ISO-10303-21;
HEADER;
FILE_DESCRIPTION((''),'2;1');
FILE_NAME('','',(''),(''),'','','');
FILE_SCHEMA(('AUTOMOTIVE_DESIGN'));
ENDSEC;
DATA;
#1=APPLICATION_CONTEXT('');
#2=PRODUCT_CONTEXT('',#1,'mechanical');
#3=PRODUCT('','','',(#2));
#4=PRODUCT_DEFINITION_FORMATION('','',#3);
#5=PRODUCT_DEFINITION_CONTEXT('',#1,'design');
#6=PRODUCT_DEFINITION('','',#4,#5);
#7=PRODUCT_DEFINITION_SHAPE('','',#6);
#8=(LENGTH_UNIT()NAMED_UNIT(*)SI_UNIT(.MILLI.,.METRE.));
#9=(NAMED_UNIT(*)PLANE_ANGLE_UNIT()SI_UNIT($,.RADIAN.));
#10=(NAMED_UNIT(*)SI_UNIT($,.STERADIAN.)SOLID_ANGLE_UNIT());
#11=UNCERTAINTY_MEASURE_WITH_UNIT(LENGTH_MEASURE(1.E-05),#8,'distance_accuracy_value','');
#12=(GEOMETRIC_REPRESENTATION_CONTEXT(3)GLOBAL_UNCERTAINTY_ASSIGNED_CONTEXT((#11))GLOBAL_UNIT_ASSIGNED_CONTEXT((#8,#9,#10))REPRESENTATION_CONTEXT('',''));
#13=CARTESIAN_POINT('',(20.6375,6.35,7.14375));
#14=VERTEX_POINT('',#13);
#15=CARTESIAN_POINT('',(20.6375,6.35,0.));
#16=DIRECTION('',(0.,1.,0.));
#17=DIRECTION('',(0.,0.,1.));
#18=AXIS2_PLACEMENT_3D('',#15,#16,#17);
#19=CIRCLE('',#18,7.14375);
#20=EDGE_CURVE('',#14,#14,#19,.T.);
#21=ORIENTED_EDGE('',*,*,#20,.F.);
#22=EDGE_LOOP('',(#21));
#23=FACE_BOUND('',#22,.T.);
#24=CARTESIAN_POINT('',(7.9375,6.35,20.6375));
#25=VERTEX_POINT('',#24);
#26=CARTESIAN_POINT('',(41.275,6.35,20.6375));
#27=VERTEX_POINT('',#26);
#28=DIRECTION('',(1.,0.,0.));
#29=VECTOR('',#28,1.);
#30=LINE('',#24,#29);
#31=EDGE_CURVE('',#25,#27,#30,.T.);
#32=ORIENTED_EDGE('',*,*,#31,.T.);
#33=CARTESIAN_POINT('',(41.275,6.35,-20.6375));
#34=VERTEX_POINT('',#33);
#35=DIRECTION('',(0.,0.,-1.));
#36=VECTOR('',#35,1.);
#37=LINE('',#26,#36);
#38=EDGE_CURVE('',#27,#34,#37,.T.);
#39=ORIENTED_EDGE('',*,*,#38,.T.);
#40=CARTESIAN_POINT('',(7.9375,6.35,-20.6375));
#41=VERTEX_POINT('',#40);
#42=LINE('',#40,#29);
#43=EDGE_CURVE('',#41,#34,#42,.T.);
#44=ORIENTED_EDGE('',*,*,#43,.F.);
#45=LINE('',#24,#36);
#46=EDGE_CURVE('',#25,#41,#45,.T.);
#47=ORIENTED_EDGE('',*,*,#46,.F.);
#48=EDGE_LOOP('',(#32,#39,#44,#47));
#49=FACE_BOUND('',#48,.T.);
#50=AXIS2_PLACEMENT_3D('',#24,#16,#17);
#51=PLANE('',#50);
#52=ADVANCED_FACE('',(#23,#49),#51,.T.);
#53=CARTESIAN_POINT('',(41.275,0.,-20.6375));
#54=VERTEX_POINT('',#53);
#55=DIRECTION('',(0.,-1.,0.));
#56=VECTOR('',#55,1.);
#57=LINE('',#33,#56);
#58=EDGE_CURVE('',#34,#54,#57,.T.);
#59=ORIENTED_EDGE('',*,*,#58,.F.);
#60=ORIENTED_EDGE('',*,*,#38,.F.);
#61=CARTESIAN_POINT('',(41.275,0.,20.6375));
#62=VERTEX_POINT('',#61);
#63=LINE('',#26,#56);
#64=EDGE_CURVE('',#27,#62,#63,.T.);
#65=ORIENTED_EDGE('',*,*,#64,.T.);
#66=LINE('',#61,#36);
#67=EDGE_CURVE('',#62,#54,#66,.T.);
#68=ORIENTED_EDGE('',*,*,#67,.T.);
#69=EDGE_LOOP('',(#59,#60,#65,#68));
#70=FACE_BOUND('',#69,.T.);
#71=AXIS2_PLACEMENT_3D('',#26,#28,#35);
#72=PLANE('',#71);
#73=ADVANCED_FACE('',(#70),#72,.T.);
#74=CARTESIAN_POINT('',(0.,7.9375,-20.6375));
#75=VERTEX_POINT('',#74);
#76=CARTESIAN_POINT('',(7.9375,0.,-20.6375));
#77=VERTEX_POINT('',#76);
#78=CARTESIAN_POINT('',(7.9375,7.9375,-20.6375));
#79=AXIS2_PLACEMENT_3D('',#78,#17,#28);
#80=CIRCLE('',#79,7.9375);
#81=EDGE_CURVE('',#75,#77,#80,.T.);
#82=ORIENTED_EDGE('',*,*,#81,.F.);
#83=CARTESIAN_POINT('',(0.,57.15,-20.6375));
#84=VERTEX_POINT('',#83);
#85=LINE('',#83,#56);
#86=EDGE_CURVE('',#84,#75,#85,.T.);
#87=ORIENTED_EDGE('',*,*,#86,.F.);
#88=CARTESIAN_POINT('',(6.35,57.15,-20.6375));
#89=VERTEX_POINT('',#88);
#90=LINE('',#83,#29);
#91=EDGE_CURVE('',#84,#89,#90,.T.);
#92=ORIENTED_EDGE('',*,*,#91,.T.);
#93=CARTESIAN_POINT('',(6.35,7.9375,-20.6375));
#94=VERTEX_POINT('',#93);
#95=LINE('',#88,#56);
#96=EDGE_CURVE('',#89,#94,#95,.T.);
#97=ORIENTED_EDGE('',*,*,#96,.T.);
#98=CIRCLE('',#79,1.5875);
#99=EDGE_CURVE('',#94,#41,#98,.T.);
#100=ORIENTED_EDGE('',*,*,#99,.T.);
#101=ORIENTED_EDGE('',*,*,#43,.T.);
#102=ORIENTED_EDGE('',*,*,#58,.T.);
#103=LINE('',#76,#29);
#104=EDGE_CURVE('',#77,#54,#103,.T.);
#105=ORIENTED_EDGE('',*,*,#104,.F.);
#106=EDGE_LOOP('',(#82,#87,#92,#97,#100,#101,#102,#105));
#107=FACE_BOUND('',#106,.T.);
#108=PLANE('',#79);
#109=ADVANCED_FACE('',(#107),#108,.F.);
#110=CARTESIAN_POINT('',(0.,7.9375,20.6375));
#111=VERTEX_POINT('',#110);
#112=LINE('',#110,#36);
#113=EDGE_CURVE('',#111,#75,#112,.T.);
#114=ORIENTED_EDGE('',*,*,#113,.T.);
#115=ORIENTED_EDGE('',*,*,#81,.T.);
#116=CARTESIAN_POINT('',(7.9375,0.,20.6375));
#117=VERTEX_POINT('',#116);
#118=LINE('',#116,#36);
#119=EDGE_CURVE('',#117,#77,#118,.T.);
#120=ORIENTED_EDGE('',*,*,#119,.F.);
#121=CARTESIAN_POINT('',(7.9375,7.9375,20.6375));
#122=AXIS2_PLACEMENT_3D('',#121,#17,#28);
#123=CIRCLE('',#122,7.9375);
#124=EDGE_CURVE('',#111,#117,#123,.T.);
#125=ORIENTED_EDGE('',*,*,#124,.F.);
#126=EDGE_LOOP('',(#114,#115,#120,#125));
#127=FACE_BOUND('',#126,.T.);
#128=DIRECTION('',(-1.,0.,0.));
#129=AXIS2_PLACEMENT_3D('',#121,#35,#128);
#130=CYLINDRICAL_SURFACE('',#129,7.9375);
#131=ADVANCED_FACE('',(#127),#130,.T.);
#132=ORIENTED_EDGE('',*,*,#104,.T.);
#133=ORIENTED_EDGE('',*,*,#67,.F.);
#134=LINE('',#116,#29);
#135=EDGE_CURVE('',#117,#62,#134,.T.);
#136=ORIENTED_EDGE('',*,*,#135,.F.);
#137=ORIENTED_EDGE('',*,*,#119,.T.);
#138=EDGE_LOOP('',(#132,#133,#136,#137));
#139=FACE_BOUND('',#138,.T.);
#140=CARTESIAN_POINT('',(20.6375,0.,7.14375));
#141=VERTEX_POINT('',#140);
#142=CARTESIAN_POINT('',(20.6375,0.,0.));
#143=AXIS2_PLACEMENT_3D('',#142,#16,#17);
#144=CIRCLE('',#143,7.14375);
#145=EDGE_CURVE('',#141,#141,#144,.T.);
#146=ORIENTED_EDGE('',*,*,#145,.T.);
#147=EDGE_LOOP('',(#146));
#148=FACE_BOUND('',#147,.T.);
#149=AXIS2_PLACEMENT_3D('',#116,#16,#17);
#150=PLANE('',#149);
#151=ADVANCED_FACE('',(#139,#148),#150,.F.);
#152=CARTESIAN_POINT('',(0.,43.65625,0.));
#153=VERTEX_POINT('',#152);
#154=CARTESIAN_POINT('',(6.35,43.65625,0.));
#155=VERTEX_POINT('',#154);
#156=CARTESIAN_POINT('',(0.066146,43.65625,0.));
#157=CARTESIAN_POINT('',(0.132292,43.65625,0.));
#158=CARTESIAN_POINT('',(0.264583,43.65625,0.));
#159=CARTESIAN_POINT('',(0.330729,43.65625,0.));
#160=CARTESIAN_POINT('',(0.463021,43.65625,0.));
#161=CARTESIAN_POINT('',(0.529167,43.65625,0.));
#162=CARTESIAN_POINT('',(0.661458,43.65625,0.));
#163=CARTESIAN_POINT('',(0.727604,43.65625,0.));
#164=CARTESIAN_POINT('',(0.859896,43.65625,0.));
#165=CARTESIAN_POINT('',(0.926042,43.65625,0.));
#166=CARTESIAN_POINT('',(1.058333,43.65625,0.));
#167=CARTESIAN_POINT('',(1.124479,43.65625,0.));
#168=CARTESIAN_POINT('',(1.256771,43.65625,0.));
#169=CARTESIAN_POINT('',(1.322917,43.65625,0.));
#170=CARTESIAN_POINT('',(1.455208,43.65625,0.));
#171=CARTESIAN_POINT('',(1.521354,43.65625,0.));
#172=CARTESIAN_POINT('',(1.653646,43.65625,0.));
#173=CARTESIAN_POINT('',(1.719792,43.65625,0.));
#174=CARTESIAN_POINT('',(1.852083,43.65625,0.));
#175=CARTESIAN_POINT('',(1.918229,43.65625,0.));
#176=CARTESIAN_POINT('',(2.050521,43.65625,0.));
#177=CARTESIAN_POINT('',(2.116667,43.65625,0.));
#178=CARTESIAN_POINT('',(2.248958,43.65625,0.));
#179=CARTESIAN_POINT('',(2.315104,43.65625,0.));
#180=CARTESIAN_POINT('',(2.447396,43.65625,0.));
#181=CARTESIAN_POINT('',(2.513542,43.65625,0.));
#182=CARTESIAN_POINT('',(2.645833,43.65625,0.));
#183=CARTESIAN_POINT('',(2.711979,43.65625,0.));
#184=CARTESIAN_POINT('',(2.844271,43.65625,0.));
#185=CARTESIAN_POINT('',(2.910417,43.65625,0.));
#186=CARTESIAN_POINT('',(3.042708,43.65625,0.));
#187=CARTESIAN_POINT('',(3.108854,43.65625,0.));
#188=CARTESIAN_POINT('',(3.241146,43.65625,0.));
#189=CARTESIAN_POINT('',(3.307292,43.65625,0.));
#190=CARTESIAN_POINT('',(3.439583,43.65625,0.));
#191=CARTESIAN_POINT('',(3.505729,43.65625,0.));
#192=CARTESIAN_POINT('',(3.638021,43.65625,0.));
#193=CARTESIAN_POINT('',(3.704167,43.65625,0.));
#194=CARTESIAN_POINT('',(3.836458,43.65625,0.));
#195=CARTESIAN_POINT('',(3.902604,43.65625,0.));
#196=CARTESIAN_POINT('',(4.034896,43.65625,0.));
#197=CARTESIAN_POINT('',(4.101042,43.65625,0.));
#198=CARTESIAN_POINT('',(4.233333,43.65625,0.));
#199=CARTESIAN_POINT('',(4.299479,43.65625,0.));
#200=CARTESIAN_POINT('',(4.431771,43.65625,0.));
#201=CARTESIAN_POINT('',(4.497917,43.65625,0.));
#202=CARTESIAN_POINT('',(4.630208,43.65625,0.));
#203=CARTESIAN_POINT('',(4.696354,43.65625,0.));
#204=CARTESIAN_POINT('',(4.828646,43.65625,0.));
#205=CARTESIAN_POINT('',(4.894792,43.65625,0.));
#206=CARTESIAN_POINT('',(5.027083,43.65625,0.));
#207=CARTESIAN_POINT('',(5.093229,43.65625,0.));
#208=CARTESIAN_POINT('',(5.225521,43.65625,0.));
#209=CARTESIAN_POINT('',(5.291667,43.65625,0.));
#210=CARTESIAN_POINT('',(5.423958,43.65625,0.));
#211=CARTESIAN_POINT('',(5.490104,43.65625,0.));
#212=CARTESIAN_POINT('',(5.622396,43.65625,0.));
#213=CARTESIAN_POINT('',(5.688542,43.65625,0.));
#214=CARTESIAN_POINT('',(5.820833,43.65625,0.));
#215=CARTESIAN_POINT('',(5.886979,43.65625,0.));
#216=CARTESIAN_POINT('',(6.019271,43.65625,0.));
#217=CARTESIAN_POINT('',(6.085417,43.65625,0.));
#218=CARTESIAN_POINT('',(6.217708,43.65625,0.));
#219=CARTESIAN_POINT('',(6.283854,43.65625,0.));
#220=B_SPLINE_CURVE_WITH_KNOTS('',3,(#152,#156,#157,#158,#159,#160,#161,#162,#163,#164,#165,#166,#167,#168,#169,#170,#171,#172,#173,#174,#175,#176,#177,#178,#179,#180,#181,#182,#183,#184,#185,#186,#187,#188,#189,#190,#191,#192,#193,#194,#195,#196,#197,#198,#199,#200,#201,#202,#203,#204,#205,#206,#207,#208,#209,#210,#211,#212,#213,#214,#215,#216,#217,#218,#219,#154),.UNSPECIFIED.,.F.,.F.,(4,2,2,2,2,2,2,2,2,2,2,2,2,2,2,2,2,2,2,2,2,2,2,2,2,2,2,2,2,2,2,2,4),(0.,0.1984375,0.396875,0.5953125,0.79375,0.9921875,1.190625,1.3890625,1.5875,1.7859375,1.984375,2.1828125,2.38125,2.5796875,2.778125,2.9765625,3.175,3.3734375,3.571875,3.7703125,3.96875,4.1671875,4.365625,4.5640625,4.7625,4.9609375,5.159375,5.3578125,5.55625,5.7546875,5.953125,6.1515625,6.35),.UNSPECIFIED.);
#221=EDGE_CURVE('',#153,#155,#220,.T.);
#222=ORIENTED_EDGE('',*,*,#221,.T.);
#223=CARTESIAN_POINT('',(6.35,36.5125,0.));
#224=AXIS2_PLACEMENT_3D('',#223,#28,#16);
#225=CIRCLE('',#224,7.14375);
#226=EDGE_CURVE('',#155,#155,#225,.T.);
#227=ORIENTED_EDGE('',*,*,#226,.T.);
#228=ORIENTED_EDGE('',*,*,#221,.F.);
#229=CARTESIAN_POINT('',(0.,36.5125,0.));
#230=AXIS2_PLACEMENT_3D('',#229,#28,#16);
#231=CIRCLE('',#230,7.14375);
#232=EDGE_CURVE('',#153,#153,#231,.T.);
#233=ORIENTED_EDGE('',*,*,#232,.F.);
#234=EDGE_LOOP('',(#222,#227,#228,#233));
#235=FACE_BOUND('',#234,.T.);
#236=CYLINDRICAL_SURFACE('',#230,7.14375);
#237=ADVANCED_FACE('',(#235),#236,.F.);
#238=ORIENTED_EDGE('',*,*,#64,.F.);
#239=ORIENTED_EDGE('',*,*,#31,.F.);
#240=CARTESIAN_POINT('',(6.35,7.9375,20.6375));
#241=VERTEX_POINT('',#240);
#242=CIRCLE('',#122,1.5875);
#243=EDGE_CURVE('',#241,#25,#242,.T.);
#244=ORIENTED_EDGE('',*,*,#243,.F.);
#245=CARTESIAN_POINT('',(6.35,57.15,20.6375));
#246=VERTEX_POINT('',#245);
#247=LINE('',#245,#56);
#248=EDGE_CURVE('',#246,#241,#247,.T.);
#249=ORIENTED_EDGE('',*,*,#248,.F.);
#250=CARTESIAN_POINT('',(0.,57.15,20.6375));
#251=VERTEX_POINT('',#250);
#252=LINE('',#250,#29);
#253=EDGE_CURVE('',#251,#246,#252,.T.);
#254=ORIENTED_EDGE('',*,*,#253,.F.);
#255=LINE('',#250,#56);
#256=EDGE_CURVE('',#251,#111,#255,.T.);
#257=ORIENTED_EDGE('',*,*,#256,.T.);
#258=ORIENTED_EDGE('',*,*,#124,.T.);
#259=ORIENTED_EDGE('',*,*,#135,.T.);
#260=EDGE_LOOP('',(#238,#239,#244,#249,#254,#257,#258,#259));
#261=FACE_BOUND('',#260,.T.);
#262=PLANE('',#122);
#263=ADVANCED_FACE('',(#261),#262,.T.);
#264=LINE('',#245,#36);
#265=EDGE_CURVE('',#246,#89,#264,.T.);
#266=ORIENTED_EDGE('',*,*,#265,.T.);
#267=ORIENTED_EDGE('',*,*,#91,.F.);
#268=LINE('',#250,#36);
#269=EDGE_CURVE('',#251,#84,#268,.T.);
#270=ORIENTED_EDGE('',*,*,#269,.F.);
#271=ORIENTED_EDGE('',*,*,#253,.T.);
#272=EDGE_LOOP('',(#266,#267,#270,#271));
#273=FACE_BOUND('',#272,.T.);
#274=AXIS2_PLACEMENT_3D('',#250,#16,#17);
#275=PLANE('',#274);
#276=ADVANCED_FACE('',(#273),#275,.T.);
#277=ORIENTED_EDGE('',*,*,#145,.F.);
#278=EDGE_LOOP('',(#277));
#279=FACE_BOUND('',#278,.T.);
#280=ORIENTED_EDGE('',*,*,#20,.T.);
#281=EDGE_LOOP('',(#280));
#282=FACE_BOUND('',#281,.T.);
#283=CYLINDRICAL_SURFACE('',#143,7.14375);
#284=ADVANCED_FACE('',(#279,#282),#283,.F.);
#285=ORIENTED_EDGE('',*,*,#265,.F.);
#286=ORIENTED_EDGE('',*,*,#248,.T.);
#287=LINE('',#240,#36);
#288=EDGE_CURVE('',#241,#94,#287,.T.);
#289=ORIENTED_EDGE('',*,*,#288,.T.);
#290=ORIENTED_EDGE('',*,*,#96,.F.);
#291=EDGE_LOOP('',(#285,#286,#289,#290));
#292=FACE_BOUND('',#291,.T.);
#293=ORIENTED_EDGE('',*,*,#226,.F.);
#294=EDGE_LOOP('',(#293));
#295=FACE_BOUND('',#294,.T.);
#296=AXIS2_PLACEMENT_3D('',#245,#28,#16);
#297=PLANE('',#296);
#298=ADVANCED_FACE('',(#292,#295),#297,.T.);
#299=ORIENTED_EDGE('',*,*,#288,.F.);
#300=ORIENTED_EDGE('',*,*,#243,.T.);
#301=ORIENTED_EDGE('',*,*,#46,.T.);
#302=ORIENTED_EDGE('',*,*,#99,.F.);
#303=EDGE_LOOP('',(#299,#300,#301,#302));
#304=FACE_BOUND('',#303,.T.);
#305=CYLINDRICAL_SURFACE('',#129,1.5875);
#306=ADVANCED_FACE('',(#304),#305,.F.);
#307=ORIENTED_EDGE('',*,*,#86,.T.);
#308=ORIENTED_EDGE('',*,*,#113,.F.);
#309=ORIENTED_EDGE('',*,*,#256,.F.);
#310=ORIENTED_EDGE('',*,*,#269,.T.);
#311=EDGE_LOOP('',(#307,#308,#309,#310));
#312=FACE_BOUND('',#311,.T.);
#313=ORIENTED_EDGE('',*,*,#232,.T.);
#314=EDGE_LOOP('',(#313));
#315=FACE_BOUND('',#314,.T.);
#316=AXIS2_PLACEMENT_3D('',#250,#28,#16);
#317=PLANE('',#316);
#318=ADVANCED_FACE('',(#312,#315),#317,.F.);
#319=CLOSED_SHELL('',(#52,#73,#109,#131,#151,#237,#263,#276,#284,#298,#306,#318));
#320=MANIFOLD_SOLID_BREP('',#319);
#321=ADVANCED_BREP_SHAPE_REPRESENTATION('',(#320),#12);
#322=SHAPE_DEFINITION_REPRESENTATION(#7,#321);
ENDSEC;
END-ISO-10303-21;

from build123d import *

# Parameters (mm, degrees)
EXTRUDE_THIN1_DEPTH = 20.6375
SKETCH2_R           = 7.14375
CUT_EXTRUDE1_DEPTH  = 69.63069307
SKETCH3_R           = 7.14375
CUT_EXTRUDE2_DEPTH  = 71.084124673


with BuildPart() as part:
    # Sketch1 → Extrude-Thin1 (new, symmetric)
    with BuildSketch(Plane.XY):
        with BuildLine():
            Line((0, 57.15), (0, 7.9375))
            ThreePointArc((0, 7.9375), (2.324839924, 2.324839924), (7.9375, 0))
            Line((7.9375, 0), (41.275, 0))
            Line((41.275, 0), (41.275, 6.35))
            Line((41.275, 6.35), (7.9375, 6.35))
            ThreePointArc((7.9375, 6.35), (6.814967985, 6.814967985), (6.35, 7.9375))
            Line((6.35, 7.9375), (6.35, 57.15))
            Line((6.35, 57.15), (0, 57.15))
        make_face()
    extrude(amount=EXTRUDE_THIN1_DEPTH, both=True)

    # Sketch2 → Cut-Extrude1 (cut, through all)
    with BuildSketch(Plane(origin=(0, 6.35, 0), x_dir=(1, 0, 0), z_dir=(0, 1, 0))):
        with Locations(Location((20.6375, 0, 0), (0, 0, 270))):
            Circle(SKETCH2_R)
    extrude(amount=-CUT_EXTRUDE1_DEPTH, mode=Mode.SUBTRACT)

    # Sketch3 → Cut-Extrude2 (cut, through all)
    with BuildSketch(Plane(origin=(6.35, 0, 0), x_dir=(0, 0, -1), z_dir=(1, 0, 0))):
        with Locations(Location((0, 36.5125, 0), (0, 0, 90))):
            Circle(SKETCH3_R)
    extrude(amount=-CUT_EXTRUDE2_DEPTH, mode=Mode.SUBTRACT)


solid = part.part
